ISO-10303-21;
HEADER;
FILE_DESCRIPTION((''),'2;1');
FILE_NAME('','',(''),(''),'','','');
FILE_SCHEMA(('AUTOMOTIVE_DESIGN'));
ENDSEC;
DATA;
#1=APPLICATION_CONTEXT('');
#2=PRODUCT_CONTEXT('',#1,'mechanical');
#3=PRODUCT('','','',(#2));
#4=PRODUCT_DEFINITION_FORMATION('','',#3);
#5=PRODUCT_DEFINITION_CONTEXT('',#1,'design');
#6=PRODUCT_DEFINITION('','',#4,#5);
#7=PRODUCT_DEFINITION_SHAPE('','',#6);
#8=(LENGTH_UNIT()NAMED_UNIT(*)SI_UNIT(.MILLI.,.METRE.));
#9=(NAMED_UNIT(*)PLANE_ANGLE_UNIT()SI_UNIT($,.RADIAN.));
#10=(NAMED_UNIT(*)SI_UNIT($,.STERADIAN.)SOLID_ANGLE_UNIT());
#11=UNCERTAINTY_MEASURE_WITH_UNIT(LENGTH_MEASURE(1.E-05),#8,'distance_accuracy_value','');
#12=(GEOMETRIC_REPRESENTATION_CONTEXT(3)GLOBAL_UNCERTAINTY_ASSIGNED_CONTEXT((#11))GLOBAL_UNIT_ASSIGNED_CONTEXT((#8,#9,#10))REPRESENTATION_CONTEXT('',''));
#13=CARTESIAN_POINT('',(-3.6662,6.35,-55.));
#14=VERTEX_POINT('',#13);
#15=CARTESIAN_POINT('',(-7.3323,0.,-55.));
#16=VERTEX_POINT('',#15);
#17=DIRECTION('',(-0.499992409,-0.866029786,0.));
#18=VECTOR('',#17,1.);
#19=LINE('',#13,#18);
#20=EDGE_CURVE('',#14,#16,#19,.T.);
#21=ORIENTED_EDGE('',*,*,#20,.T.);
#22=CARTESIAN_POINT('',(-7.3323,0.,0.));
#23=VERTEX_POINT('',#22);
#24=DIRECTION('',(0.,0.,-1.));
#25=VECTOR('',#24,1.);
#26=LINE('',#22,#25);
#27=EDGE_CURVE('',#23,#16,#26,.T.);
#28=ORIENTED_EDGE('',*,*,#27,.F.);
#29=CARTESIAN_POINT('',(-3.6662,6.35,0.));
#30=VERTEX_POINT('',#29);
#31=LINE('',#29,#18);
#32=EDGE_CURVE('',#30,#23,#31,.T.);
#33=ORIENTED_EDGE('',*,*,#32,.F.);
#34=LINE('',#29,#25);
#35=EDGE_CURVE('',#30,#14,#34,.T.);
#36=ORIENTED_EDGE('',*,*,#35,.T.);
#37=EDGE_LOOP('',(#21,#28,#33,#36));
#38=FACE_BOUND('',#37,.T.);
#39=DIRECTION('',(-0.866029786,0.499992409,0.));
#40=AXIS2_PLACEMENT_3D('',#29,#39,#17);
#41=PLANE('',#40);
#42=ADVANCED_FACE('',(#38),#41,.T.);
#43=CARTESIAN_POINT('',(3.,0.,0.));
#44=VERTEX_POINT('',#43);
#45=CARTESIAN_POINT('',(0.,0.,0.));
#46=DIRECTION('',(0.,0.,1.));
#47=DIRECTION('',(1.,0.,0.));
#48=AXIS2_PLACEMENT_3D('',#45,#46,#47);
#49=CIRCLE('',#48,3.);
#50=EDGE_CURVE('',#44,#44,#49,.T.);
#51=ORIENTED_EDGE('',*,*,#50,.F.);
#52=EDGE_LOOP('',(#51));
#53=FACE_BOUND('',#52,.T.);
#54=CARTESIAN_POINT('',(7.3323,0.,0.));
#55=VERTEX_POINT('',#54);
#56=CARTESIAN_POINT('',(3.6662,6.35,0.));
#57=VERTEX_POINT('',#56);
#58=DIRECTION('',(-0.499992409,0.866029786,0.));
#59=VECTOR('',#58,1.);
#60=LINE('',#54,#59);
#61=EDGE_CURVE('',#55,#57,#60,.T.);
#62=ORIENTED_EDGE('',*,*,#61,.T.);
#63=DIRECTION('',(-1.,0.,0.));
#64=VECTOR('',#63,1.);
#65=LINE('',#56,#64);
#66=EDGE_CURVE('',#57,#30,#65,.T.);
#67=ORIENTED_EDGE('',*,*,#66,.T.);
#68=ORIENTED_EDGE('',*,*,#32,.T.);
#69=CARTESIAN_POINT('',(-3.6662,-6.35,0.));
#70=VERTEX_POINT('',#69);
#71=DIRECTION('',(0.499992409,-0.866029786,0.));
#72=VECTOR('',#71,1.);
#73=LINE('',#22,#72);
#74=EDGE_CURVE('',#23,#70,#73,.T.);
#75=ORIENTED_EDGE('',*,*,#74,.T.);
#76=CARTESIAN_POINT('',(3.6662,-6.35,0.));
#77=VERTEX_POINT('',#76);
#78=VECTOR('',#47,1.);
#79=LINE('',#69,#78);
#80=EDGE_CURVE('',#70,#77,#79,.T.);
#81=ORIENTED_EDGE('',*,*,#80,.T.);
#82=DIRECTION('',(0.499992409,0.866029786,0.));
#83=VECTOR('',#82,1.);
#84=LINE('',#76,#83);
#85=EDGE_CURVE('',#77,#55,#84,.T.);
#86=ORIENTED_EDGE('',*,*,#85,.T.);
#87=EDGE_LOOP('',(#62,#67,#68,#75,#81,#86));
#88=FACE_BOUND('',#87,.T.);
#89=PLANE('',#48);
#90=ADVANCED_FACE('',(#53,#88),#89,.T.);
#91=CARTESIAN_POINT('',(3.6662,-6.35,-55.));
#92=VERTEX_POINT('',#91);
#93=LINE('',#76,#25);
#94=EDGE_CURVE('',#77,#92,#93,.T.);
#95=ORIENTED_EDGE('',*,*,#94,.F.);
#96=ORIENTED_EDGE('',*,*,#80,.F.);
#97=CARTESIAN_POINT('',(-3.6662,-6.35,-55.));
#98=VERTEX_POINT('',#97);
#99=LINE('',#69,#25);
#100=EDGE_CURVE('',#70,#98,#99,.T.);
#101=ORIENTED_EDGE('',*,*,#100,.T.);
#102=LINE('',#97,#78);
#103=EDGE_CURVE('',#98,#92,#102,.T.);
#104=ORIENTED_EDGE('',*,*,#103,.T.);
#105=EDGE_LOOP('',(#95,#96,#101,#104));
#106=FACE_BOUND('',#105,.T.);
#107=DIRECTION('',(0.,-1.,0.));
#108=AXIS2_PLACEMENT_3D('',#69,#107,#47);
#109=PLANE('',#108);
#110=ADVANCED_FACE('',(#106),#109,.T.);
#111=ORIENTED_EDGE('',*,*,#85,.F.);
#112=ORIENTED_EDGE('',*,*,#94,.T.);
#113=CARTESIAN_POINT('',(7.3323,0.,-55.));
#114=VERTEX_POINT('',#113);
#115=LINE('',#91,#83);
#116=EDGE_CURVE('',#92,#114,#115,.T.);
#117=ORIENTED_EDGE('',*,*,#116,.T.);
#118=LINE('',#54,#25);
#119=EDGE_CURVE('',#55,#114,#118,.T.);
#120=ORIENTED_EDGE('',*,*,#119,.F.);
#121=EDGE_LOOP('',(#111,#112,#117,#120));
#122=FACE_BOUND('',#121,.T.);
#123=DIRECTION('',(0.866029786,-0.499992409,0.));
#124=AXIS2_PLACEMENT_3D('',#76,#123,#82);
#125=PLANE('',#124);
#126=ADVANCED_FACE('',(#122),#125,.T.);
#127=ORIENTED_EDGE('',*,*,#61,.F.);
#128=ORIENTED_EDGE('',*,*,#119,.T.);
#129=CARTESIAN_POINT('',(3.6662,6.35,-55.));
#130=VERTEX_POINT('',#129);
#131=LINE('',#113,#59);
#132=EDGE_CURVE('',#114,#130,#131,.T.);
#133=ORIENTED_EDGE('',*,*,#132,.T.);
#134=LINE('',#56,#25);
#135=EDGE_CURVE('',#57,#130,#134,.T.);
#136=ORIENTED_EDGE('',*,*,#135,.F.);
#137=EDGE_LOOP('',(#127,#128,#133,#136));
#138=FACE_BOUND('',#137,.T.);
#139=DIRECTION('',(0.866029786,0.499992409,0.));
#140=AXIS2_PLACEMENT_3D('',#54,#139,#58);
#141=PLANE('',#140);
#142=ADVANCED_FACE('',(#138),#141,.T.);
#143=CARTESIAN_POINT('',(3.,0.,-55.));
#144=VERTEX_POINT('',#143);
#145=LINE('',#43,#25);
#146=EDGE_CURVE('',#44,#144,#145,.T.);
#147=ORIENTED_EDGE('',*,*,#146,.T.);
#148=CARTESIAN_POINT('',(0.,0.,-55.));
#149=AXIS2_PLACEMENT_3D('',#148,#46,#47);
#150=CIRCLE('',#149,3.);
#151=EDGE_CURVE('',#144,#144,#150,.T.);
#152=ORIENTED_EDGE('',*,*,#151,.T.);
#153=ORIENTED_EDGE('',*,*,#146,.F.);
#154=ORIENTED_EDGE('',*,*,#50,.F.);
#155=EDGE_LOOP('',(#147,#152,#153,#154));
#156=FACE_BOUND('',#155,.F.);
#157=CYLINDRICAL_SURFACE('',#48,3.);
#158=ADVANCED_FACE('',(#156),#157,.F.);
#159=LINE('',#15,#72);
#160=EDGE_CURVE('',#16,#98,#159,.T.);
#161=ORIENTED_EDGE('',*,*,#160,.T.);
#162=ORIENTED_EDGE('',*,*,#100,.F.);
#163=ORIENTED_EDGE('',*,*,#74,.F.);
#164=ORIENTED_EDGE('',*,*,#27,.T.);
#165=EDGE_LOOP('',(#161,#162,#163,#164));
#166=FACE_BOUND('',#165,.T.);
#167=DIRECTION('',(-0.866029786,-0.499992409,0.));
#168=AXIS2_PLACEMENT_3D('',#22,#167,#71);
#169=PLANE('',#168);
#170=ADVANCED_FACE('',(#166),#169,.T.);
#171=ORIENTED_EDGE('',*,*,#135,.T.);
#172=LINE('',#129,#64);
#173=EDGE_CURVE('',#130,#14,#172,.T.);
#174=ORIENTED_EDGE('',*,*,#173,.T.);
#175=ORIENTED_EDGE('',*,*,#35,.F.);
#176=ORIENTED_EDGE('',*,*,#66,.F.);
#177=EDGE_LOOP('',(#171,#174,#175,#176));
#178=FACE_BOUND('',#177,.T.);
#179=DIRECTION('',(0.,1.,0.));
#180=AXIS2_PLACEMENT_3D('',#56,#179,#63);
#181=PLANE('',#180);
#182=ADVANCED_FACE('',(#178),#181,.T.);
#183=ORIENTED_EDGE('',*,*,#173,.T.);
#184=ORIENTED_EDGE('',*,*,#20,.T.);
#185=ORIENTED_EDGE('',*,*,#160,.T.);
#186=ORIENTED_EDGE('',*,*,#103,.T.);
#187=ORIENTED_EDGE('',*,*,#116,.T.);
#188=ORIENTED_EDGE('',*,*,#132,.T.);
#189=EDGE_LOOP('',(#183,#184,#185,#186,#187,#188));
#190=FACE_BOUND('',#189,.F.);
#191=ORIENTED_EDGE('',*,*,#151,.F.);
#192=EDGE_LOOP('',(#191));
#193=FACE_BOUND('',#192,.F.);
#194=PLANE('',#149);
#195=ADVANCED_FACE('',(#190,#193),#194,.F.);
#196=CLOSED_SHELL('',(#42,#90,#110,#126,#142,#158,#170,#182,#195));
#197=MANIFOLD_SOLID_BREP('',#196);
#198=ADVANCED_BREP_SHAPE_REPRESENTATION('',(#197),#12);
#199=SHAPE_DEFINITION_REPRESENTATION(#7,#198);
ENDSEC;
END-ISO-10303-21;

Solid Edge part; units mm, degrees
sketch "Sketch1" plane through (0, 0, 0) normal (0, 0, 1) x (1, 0, 0)
  line L0 (7.3323, 0) -> (3.6662, 6.35)
  line L1 (3.6662, 6.35) -> (-3.6662, 6.35)
  line L2 (-3.6662, 6.35) -> (-7.3323, 0)
  line L3 (-7.3323, 0) -> (-3.6662, -6.35)
  line L4 (-3.6662, -6.35) -> (3.6662, -6.35)
  line L5 (3.6662, -6.35) -> (7.3323, 0)
  circle A0 centre (0, 0) radius 3
  dimension "D1" = 12.7
  dimension "D2" = 6
extrude "Protrusion1" add sketch "Sketch1" against normal blind 55
properties part number "BumbleB0520"
